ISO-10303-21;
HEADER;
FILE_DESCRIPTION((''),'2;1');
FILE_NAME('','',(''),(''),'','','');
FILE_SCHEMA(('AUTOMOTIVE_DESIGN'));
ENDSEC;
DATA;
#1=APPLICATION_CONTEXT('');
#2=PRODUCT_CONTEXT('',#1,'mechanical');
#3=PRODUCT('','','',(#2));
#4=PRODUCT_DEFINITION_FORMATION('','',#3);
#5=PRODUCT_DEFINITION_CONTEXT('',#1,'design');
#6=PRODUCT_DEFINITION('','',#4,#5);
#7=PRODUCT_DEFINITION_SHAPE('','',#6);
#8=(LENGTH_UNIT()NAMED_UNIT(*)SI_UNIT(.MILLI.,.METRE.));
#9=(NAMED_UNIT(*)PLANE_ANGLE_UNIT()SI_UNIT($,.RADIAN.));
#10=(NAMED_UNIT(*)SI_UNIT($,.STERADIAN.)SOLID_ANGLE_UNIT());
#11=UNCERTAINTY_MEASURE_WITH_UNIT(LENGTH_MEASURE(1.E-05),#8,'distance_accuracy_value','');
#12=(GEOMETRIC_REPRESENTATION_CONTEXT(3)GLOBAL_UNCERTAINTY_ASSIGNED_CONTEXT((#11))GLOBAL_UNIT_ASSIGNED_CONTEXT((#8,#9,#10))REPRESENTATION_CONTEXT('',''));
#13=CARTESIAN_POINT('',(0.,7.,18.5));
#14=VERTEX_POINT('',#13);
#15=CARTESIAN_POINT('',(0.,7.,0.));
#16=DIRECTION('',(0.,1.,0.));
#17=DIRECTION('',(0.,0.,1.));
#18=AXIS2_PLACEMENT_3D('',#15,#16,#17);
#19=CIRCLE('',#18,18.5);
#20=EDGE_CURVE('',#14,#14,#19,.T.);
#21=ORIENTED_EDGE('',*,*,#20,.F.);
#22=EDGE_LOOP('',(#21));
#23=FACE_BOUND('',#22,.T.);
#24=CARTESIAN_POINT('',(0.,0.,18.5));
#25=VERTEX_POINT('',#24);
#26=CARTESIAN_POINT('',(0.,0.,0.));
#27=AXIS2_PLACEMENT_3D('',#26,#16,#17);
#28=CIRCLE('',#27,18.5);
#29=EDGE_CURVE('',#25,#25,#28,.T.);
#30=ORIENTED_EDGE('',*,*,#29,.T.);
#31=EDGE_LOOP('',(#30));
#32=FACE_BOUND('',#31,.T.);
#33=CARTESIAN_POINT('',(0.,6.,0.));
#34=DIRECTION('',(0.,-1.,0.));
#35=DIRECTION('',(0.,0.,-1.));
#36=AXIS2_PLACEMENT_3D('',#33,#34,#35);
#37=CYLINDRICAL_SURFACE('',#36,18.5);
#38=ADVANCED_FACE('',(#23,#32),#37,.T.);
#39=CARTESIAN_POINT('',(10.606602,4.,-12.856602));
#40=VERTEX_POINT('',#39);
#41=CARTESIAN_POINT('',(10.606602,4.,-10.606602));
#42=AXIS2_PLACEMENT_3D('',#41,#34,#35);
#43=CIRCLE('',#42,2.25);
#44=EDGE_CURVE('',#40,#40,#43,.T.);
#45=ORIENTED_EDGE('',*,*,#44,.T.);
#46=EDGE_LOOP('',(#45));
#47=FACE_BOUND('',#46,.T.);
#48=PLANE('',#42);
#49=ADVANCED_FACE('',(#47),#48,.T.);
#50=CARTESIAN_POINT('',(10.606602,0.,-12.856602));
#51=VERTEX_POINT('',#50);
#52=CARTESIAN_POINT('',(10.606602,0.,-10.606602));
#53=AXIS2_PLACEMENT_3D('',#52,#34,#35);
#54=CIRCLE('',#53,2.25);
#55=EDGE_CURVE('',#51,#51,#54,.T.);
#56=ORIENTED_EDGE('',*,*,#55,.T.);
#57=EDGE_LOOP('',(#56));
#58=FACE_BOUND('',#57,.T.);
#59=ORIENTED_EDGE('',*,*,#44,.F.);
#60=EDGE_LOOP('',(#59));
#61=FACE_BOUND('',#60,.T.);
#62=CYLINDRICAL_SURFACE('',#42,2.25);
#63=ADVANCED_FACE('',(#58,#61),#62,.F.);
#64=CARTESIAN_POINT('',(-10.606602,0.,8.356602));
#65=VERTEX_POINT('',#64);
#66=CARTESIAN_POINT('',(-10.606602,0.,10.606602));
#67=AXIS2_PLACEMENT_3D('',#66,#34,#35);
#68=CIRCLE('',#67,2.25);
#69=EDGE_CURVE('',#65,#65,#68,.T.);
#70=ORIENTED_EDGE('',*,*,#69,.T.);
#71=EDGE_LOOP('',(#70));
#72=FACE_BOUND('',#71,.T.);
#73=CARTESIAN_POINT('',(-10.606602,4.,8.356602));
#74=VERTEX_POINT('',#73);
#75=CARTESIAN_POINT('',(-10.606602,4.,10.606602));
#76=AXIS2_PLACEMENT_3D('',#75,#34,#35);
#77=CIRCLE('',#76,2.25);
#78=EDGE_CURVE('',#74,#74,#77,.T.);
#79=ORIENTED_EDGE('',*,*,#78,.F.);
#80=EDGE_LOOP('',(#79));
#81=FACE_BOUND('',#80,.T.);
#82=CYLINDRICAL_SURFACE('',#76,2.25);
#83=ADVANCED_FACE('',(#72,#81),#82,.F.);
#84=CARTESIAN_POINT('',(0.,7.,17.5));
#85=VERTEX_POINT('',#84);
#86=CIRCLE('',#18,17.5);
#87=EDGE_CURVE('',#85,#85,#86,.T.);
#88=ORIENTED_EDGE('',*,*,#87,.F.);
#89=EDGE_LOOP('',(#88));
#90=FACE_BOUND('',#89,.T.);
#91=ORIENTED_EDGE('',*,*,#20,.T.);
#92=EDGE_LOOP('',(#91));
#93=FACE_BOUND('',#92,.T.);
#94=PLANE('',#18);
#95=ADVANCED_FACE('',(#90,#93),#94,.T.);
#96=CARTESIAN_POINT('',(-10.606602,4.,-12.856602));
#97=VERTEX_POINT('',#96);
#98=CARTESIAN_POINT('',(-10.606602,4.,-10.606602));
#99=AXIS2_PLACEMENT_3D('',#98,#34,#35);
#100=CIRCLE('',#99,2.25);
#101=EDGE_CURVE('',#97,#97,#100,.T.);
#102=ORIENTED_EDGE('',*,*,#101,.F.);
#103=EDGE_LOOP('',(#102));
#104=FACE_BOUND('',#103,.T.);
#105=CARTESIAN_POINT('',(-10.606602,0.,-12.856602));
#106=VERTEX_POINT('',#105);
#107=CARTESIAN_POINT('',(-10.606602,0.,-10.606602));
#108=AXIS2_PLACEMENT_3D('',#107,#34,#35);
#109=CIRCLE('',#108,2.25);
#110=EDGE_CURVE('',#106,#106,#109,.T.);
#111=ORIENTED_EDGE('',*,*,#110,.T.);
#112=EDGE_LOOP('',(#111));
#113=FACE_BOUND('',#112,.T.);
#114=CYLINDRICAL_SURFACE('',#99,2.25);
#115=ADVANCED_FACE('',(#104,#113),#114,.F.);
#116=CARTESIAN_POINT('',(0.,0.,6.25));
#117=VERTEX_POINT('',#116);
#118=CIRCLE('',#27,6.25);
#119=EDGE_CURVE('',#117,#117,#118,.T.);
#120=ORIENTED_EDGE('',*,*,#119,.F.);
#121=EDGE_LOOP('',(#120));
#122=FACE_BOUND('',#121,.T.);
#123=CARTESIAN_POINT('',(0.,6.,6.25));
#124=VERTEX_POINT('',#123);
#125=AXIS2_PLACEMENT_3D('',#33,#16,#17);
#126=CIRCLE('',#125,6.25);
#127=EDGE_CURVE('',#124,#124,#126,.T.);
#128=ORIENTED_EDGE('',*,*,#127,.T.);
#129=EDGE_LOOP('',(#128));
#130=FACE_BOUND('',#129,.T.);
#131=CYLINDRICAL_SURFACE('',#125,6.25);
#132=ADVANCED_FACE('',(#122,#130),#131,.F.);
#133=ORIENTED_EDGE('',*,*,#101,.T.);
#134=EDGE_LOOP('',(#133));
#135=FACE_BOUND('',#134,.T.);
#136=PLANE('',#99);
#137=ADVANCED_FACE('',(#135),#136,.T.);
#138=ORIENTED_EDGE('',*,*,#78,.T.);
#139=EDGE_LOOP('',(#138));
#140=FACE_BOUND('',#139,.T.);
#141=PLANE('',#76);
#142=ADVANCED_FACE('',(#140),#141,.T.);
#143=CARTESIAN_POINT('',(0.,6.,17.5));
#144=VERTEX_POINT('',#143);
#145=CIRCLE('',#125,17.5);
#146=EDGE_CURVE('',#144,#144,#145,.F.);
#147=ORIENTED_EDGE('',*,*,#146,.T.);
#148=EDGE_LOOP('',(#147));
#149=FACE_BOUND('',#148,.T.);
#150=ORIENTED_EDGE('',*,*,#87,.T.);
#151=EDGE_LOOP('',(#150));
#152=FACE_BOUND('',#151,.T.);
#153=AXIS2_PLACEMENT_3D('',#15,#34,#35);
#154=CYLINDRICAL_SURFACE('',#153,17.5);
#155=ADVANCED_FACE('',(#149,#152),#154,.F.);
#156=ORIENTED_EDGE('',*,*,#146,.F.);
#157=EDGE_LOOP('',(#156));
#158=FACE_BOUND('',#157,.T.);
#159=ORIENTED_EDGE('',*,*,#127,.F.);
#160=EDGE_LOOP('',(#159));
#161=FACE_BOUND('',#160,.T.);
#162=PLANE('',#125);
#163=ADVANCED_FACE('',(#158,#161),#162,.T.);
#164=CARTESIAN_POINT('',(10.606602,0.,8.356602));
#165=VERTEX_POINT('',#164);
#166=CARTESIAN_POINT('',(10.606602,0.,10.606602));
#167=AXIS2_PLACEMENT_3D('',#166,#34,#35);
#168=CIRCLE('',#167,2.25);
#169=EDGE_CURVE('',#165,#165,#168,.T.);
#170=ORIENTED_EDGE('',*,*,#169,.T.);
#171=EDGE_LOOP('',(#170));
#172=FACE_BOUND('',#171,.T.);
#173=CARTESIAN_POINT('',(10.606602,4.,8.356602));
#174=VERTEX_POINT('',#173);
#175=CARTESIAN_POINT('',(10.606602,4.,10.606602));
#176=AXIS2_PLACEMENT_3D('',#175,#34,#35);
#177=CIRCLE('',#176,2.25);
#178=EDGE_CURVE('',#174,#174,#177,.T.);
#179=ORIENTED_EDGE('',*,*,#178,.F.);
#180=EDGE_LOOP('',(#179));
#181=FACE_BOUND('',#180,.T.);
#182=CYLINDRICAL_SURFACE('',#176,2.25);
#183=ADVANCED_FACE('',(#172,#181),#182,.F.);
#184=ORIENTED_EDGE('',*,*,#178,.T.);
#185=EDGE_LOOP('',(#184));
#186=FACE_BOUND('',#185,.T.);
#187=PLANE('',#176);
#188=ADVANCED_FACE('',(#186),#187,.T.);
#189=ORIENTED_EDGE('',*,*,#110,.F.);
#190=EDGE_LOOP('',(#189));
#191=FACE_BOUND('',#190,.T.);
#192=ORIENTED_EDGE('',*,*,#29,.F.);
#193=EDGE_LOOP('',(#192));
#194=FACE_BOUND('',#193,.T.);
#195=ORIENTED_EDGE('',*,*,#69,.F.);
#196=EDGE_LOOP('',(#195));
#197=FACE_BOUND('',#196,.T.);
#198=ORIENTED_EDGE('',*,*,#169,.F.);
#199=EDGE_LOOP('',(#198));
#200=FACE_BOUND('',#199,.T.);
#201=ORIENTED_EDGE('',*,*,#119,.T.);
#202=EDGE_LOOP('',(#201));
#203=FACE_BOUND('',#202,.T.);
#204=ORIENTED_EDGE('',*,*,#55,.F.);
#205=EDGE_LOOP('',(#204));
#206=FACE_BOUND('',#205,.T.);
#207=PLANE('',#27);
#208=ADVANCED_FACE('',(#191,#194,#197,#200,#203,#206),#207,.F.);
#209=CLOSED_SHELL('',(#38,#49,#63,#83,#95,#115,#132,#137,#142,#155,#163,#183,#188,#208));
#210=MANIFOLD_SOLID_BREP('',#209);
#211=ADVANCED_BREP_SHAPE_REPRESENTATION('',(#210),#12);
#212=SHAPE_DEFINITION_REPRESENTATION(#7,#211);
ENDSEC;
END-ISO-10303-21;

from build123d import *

# Parameters (mm, degrees)
SKETCH1_R              = 18.5
BOSS_EXTRUDE1_DEPTH    = 6
SKETCH2_R              = 18.5
SKETCH2_R_2            = 17.5
BOSS_EXTRUDE2_DEPTH    = 1
M14X1_5_TAPPED_HOLE1_D = 12.5
SKETCH5_R              = 2.25
CUT_EXTRUDE1_DEPTH     = 4


with BuildPart() as part:
    # Sketch1 → Boss-Extrude1 (new body)
    with BuildSketch(Plane(origin=(0, 0, 0), x_dir=(1, 0, 0), z_dir=(0, 1, 0))):
        Circle(SKETCH1_R)
    extrude(amount=BOSS_EXTRUDE1_DEPTH)

    # Sketch2 → Boss-Extrude2 (add)
    with BuildSketch(Plane(origin=(0, 6, 0), x_dir=(1, 0, 0), z_dir=(0, 1, 0))):
        Circle(SKETCH2_R)
        Circle(SKETCH2_R_2, mode=Mode.SUBTRACT)
    extrude(amount=BOSS_EXTRUDE2_DEPTH)

    # M14x1.5 Tapped Hole1 (through all)
    with Locations(Plane(origin=(0, 6, 0), x_dir=(1, 0, 0), z_dir=(0, 1, 0))):
        with Locations((0, 0)):
            Hole(M14X1_5_TAPPED_HOLE1_D / 2)

    # Sketch5 → Cut-Extrude1 (cut)
    with BuildSketch(Plane.XZ):
        with Locations((-10.606601718, 10.606601718)):
            Circle(SKETCH5_R)
        with Locations((10.606601718, 10.606601718)):
            Circle(SKETCH5_R)
        with Locations((10.606601718, -10.606601718)):
            Circle(SKETCH5_R)
        with Locations((-10.606601718, -10.606601718)):
            Circle(SKETCH5_R)
    extrude(amount=-CUT_EXTRUDE1_DEPTH, mode=Mode.SUBTRACT)


solid = part.part
